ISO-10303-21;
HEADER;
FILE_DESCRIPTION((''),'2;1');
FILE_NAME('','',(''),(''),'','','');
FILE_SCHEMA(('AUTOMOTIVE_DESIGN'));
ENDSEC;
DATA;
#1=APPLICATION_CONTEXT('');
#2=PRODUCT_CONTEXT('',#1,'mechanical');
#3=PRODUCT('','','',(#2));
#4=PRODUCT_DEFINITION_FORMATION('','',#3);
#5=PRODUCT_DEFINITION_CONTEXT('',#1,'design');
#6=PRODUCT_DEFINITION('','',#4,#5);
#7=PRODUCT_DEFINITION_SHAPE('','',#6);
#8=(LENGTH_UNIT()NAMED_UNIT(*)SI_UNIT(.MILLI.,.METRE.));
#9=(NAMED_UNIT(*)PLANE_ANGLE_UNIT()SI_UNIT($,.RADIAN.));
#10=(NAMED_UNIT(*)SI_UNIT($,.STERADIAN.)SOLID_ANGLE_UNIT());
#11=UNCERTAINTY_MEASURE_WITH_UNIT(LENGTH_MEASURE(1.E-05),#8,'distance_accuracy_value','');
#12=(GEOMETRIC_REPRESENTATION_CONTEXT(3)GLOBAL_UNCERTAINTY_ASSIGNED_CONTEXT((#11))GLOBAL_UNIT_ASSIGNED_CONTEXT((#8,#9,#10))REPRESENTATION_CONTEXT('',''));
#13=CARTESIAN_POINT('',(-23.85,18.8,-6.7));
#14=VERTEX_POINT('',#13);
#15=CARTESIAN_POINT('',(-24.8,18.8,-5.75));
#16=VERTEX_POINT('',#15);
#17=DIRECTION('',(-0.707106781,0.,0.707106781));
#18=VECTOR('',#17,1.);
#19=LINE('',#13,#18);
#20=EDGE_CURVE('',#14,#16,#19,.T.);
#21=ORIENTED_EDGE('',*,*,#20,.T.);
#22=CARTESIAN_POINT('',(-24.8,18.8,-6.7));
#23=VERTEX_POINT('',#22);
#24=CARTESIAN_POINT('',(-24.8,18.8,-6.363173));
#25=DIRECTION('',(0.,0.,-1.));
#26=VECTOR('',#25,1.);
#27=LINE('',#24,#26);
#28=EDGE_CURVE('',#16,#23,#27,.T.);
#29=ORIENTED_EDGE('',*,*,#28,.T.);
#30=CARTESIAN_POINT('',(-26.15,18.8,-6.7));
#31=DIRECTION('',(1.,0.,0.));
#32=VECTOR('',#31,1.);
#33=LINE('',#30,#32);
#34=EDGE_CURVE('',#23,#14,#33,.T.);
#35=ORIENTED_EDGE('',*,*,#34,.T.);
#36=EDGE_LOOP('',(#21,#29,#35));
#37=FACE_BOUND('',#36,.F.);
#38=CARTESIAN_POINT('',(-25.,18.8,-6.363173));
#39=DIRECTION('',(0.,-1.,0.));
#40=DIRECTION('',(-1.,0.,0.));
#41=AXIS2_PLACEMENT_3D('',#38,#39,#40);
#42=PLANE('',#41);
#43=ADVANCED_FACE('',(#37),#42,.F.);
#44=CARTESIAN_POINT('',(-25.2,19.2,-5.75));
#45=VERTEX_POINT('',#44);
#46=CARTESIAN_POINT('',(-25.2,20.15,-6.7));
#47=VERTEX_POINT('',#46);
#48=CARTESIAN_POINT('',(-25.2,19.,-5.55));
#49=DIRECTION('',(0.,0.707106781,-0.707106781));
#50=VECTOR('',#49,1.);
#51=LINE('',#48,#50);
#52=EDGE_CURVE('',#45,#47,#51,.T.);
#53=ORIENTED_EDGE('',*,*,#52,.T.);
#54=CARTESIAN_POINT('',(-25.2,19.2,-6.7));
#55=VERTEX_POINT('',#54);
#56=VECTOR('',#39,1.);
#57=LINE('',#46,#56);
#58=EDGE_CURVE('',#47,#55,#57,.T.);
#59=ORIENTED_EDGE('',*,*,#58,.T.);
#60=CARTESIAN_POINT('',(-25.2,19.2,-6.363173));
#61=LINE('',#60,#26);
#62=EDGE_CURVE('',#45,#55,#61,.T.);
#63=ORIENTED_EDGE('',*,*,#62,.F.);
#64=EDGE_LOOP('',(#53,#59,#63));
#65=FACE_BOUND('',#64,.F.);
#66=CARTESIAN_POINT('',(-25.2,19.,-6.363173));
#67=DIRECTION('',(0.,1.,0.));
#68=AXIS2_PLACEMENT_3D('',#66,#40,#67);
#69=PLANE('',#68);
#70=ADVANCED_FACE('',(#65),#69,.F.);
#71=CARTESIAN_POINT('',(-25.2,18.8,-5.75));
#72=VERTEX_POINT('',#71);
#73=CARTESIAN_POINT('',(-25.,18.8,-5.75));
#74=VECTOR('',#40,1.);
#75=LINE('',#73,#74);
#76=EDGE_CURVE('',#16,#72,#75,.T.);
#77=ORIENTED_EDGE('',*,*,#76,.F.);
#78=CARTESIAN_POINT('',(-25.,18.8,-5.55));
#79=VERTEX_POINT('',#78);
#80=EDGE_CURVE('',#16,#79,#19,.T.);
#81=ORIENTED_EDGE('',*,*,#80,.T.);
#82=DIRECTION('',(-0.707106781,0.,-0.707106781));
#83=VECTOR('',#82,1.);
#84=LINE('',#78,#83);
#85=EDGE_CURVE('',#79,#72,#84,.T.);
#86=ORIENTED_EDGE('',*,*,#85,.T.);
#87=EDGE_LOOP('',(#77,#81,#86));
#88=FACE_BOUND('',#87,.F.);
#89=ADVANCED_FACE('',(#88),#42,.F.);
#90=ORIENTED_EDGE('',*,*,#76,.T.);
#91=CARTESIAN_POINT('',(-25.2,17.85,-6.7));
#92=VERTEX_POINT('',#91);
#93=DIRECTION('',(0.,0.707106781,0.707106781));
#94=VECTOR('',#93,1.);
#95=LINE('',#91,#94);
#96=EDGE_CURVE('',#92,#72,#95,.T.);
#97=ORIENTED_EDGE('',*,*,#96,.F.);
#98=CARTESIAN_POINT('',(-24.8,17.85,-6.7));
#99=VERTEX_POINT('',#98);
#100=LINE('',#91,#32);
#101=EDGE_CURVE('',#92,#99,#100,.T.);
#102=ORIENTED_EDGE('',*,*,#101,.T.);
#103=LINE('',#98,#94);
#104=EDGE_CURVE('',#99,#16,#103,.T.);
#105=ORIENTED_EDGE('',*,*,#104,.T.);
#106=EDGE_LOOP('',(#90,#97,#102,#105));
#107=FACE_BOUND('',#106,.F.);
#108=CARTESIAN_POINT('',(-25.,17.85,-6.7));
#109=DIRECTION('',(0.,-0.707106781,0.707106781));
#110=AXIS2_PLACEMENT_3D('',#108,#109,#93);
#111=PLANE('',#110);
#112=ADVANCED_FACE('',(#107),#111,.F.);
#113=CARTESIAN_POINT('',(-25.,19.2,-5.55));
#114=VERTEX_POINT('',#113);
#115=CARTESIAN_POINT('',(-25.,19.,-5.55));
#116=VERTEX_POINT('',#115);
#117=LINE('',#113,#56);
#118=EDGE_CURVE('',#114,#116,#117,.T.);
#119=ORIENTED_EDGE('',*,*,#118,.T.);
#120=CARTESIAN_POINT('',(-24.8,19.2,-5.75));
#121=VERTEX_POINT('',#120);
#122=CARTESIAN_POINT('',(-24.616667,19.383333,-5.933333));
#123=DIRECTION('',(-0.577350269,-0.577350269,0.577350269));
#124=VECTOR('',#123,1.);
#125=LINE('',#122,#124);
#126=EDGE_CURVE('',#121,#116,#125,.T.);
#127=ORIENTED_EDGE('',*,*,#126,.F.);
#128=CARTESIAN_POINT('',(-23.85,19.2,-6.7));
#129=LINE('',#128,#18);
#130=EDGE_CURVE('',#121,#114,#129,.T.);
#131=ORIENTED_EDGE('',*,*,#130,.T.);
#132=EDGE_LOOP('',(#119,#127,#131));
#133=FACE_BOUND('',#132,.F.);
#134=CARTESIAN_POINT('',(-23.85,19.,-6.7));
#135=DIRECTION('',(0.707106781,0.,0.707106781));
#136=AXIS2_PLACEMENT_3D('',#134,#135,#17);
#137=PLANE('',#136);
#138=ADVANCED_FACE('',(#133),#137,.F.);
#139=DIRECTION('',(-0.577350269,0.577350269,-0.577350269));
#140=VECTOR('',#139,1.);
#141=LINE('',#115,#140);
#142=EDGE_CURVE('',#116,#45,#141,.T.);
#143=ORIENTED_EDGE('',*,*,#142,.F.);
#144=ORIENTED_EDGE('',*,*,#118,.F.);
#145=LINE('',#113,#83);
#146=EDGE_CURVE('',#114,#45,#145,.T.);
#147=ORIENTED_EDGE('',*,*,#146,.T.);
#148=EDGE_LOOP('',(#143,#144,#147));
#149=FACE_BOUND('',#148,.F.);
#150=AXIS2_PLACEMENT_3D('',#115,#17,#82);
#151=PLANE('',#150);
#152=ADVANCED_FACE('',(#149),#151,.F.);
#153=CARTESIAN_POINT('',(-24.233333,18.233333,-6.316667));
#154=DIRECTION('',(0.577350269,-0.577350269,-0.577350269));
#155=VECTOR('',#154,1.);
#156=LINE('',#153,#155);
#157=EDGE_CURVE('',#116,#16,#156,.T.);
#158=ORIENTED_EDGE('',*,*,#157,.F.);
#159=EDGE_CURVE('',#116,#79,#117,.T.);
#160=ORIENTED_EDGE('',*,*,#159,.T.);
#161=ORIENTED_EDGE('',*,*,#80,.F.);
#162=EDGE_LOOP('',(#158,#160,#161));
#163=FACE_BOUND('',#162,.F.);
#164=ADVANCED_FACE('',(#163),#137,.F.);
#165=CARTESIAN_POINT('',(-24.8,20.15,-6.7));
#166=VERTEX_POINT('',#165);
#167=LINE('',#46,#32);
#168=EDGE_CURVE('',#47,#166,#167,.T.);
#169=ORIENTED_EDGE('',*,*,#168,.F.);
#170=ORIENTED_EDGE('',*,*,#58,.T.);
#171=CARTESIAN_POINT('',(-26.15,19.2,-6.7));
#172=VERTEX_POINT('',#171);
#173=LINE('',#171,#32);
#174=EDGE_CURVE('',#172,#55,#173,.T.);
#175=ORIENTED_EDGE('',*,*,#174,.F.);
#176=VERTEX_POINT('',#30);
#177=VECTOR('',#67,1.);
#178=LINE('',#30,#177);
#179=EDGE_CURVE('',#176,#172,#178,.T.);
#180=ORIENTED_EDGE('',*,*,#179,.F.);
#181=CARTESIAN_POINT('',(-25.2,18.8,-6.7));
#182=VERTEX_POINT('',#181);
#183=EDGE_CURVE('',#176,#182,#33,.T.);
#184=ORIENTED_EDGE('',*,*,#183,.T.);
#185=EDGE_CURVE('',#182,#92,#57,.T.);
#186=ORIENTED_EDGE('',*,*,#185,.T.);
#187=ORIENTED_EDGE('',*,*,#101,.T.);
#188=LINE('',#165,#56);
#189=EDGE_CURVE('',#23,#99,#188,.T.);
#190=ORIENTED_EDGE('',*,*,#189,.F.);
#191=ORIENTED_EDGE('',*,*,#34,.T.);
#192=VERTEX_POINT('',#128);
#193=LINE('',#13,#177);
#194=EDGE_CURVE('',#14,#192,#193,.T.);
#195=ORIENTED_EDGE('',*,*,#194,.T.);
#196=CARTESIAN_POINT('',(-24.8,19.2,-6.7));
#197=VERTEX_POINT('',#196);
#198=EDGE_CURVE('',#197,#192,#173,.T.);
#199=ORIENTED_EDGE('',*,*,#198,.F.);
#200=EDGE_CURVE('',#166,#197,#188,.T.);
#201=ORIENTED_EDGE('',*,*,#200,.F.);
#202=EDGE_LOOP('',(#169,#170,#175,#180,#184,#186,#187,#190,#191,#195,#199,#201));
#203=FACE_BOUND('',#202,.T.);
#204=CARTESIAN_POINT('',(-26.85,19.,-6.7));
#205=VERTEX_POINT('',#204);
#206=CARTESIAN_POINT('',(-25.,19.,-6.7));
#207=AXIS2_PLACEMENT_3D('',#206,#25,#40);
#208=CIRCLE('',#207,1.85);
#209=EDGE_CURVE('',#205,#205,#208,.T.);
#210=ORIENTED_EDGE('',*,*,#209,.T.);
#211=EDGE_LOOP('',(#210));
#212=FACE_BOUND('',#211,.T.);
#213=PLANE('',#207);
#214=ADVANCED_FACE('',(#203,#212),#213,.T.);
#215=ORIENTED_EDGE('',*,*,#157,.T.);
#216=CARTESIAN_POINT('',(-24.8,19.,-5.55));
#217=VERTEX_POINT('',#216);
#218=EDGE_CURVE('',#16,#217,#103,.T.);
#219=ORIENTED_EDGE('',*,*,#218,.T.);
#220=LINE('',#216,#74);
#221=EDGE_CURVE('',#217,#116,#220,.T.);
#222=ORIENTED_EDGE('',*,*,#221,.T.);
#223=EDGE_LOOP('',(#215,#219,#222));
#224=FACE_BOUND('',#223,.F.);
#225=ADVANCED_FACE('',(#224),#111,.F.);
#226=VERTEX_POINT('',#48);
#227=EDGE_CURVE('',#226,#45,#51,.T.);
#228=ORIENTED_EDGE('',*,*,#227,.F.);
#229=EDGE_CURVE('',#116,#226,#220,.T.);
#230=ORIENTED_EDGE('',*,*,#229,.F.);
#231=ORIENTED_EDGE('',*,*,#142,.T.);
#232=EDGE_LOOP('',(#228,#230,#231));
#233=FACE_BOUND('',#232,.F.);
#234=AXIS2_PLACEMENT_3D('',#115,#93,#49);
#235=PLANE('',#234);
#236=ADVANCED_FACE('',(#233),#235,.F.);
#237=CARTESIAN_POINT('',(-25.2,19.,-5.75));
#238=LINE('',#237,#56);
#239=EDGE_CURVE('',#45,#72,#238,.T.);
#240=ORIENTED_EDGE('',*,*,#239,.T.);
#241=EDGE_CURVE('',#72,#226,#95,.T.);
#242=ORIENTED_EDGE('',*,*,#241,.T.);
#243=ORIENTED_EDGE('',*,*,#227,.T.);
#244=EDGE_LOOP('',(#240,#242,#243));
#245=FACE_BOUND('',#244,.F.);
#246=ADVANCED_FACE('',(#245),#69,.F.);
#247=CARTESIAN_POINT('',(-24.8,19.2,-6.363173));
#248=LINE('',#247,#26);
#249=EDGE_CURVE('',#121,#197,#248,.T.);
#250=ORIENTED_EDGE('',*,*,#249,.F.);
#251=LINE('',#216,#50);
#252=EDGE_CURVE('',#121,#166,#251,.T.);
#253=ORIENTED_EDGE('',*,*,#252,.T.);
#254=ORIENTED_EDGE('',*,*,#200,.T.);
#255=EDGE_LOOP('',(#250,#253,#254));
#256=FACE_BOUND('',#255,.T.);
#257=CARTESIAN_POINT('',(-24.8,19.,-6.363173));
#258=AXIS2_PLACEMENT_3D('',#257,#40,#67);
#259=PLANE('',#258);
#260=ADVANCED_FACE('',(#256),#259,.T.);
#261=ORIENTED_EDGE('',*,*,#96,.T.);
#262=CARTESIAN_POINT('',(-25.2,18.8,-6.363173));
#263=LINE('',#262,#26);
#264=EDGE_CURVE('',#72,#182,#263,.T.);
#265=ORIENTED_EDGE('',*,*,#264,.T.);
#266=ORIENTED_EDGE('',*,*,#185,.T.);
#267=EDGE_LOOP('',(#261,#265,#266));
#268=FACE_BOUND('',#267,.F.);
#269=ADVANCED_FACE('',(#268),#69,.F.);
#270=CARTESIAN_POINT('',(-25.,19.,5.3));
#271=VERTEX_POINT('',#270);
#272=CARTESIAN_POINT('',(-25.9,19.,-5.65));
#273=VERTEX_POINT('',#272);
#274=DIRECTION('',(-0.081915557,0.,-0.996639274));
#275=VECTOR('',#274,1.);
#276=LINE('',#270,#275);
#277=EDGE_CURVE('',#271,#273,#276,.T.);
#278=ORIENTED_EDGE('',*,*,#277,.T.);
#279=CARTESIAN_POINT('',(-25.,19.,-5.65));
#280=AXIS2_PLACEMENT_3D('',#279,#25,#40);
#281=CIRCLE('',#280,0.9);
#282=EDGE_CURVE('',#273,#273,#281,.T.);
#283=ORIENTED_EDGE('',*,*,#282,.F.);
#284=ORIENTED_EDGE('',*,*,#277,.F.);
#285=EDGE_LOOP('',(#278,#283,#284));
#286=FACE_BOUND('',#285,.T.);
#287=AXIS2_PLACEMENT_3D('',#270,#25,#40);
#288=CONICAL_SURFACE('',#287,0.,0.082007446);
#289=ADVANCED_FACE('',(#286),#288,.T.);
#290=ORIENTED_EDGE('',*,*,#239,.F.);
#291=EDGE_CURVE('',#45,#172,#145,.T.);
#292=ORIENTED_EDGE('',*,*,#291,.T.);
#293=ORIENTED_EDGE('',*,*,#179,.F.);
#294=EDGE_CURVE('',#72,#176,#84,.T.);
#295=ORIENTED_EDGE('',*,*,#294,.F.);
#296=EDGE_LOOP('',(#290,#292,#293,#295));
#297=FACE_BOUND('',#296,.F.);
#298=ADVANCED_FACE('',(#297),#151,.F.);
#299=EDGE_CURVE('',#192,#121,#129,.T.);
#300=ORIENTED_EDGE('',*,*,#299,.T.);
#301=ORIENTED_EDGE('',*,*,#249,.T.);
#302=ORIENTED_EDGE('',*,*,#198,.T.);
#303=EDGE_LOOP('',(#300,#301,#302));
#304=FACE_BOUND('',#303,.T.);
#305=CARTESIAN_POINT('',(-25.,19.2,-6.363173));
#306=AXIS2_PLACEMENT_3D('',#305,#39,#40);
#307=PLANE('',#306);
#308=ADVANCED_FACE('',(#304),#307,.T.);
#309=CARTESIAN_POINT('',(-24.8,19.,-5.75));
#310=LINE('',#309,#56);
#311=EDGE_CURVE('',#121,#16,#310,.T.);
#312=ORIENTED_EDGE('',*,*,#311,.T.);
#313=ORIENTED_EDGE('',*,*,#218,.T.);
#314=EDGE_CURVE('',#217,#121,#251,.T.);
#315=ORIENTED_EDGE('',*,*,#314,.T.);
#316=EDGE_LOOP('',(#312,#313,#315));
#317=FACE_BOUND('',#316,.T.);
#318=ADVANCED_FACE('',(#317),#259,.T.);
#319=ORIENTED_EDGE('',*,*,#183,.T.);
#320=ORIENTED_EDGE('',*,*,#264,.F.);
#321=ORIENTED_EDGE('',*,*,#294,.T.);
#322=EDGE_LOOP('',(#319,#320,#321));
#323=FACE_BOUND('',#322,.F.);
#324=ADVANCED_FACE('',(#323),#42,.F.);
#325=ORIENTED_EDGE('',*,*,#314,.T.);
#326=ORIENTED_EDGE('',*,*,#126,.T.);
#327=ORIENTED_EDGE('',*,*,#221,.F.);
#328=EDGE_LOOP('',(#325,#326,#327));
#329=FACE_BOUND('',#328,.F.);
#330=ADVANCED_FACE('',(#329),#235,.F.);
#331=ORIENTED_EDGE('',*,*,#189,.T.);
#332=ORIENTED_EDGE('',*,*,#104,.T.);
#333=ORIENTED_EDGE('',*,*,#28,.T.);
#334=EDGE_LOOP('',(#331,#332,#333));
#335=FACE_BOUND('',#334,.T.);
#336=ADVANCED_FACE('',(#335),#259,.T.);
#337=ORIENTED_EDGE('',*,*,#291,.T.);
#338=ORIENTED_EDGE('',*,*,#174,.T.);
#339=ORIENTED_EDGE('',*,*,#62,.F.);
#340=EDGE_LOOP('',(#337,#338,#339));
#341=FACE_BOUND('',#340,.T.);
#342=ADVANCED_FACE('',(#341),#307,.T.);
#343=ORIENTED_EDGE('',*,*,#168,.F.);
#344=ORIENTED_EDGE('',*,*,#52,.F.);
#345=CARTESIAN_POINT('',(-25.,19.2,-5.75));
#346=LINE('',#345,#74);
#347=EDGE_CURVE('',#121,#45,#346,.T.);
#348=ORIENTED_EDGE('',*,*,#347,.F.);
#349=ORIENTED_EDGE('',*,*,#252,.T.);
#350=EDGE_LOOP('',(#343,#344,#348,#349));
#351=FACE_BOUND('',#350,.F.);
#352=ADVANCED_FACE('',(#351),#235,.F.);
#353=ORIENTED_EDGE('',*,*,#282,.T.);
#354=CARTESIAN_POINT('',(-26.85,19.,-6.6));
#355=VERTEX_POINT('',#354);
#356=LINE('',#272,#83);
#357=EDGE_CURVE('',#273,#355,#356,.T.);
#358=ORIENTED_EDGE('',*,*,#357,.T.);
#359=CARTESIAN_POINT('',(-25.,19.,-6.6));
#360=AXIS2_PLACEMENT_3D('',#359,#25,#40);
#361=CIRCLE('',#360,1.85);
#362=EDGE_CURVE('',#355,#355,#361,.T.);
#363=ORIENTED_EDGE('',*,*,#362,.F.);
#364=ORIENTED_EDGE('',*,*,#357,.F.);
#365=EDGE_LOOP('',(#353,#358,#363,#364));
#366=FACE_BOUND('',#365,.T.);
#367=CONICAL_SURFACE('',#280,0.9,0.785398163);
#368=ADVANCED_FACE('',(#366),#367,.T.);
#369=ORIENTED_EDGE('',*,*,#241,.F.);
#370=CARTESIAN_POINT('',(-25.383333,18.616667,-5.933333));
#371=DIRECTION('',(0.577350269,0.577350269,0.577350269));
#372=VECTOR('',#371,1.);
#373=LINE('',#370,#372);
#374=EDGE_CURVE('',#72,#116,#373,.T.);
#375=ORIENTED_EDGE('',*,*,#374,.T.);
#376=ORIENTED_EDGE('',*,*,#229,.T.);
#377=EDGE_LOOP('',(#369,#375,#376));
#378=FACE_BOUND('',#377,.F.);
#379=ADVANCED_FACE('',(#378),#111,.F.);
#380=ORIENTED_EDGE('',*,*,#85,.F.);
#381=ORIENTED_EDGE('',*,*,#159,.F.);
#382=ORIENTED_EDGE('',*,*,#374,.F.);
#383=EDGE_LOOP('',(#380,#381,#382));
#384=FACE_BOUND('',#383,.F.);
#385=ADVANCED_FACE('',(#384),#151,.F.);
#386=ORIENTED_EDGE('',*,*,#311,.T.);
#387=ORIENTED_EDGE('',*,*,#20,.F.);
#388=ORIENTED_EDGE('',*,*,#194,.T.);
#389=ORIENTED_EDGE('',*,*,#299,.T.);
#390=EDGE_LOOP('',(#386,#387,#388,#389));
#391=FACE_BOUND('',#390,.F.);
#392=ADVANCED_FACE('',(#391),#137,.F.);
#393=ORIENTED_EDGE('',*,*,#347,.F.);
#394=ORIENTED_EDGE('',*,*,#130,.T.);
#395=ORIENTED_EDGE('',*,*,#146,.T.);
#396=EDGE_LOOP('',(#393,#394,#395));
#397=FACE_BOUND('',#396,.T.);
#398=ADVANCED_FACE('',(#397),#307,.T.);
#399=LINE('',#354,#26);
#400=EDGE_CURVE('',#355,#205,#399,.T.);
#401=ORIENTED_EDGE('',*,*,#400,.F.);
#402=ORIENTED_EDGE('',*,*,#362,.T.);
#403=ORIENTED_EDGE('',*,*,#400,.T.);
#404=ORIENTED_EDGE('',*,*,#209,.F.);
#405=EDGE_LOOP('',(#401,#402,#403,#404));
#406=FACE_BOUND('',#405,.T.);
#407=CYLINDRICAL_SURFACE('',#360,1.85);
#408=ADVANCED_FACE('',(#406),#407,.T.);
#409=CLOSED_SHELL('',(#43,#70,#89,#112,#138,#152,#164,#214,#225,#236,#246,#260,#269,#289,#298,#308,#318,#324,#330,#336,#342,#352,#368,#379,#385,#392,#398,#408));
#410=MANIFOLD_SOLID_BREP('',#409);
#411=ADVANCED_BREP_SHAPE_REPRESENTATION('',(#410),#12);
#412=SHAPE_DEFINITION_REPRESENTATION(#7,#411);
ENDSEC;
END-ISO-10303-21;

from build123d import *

# Parameters (mm, degrees)
POCKET003_DEPTH         = 0.2
POLARPATTERN003_COUNT   = 2
POLARPATTERN003_ANGLE   = 90
BODY007_PLACEMENT_ANGLE = 180


with BuildPart() as part:
    # Sketch013 → Revolution003 (revolve)
    with BuildSketch(Plane.XZ):
        Polygon((0, 0), (0, -12), (0.9, -1.05), (1.85, -0.1), (1.85, 0), align=None)
    revolve(axis=Axis((0, 0, 0), (0, 0, 1)))

    # Sketch014 → Pocket003 (cut, symmetric)
    with BuildSketch(Plane.XZ):
        Polygon((-1.15, 0), (0, -1.15), (1.15, 0), align=None)
    pocket003 = extrude(amount=POCKET003_DEPTH, both=True, mode=Mode.SUBTRACT)

    # PolarPattern003: Pocket003 ×2 about axis
    polarpattern003_axis = Axis((0, 0, 0), (0, 0, 1))
    for i in range(1, POLARPATTERN003_COUNT):
        add(pocket003.rotate(polarpattern003_axis, i * POLARPATTERN003_ANGLE / (POLARPATTERN003_COUNT - 1)), mode=Mode.SUBTRACT)


with BuildPart() as part_1:
    # Body007 placement: moved
    add(part.part.moved(Location((-25, 19, -6.7))).rotate(Axis((-25, 19, -6.7), (0, 1, 0)), BODY007_PLACEMENT_ANGLE))


solid = part_1.part
